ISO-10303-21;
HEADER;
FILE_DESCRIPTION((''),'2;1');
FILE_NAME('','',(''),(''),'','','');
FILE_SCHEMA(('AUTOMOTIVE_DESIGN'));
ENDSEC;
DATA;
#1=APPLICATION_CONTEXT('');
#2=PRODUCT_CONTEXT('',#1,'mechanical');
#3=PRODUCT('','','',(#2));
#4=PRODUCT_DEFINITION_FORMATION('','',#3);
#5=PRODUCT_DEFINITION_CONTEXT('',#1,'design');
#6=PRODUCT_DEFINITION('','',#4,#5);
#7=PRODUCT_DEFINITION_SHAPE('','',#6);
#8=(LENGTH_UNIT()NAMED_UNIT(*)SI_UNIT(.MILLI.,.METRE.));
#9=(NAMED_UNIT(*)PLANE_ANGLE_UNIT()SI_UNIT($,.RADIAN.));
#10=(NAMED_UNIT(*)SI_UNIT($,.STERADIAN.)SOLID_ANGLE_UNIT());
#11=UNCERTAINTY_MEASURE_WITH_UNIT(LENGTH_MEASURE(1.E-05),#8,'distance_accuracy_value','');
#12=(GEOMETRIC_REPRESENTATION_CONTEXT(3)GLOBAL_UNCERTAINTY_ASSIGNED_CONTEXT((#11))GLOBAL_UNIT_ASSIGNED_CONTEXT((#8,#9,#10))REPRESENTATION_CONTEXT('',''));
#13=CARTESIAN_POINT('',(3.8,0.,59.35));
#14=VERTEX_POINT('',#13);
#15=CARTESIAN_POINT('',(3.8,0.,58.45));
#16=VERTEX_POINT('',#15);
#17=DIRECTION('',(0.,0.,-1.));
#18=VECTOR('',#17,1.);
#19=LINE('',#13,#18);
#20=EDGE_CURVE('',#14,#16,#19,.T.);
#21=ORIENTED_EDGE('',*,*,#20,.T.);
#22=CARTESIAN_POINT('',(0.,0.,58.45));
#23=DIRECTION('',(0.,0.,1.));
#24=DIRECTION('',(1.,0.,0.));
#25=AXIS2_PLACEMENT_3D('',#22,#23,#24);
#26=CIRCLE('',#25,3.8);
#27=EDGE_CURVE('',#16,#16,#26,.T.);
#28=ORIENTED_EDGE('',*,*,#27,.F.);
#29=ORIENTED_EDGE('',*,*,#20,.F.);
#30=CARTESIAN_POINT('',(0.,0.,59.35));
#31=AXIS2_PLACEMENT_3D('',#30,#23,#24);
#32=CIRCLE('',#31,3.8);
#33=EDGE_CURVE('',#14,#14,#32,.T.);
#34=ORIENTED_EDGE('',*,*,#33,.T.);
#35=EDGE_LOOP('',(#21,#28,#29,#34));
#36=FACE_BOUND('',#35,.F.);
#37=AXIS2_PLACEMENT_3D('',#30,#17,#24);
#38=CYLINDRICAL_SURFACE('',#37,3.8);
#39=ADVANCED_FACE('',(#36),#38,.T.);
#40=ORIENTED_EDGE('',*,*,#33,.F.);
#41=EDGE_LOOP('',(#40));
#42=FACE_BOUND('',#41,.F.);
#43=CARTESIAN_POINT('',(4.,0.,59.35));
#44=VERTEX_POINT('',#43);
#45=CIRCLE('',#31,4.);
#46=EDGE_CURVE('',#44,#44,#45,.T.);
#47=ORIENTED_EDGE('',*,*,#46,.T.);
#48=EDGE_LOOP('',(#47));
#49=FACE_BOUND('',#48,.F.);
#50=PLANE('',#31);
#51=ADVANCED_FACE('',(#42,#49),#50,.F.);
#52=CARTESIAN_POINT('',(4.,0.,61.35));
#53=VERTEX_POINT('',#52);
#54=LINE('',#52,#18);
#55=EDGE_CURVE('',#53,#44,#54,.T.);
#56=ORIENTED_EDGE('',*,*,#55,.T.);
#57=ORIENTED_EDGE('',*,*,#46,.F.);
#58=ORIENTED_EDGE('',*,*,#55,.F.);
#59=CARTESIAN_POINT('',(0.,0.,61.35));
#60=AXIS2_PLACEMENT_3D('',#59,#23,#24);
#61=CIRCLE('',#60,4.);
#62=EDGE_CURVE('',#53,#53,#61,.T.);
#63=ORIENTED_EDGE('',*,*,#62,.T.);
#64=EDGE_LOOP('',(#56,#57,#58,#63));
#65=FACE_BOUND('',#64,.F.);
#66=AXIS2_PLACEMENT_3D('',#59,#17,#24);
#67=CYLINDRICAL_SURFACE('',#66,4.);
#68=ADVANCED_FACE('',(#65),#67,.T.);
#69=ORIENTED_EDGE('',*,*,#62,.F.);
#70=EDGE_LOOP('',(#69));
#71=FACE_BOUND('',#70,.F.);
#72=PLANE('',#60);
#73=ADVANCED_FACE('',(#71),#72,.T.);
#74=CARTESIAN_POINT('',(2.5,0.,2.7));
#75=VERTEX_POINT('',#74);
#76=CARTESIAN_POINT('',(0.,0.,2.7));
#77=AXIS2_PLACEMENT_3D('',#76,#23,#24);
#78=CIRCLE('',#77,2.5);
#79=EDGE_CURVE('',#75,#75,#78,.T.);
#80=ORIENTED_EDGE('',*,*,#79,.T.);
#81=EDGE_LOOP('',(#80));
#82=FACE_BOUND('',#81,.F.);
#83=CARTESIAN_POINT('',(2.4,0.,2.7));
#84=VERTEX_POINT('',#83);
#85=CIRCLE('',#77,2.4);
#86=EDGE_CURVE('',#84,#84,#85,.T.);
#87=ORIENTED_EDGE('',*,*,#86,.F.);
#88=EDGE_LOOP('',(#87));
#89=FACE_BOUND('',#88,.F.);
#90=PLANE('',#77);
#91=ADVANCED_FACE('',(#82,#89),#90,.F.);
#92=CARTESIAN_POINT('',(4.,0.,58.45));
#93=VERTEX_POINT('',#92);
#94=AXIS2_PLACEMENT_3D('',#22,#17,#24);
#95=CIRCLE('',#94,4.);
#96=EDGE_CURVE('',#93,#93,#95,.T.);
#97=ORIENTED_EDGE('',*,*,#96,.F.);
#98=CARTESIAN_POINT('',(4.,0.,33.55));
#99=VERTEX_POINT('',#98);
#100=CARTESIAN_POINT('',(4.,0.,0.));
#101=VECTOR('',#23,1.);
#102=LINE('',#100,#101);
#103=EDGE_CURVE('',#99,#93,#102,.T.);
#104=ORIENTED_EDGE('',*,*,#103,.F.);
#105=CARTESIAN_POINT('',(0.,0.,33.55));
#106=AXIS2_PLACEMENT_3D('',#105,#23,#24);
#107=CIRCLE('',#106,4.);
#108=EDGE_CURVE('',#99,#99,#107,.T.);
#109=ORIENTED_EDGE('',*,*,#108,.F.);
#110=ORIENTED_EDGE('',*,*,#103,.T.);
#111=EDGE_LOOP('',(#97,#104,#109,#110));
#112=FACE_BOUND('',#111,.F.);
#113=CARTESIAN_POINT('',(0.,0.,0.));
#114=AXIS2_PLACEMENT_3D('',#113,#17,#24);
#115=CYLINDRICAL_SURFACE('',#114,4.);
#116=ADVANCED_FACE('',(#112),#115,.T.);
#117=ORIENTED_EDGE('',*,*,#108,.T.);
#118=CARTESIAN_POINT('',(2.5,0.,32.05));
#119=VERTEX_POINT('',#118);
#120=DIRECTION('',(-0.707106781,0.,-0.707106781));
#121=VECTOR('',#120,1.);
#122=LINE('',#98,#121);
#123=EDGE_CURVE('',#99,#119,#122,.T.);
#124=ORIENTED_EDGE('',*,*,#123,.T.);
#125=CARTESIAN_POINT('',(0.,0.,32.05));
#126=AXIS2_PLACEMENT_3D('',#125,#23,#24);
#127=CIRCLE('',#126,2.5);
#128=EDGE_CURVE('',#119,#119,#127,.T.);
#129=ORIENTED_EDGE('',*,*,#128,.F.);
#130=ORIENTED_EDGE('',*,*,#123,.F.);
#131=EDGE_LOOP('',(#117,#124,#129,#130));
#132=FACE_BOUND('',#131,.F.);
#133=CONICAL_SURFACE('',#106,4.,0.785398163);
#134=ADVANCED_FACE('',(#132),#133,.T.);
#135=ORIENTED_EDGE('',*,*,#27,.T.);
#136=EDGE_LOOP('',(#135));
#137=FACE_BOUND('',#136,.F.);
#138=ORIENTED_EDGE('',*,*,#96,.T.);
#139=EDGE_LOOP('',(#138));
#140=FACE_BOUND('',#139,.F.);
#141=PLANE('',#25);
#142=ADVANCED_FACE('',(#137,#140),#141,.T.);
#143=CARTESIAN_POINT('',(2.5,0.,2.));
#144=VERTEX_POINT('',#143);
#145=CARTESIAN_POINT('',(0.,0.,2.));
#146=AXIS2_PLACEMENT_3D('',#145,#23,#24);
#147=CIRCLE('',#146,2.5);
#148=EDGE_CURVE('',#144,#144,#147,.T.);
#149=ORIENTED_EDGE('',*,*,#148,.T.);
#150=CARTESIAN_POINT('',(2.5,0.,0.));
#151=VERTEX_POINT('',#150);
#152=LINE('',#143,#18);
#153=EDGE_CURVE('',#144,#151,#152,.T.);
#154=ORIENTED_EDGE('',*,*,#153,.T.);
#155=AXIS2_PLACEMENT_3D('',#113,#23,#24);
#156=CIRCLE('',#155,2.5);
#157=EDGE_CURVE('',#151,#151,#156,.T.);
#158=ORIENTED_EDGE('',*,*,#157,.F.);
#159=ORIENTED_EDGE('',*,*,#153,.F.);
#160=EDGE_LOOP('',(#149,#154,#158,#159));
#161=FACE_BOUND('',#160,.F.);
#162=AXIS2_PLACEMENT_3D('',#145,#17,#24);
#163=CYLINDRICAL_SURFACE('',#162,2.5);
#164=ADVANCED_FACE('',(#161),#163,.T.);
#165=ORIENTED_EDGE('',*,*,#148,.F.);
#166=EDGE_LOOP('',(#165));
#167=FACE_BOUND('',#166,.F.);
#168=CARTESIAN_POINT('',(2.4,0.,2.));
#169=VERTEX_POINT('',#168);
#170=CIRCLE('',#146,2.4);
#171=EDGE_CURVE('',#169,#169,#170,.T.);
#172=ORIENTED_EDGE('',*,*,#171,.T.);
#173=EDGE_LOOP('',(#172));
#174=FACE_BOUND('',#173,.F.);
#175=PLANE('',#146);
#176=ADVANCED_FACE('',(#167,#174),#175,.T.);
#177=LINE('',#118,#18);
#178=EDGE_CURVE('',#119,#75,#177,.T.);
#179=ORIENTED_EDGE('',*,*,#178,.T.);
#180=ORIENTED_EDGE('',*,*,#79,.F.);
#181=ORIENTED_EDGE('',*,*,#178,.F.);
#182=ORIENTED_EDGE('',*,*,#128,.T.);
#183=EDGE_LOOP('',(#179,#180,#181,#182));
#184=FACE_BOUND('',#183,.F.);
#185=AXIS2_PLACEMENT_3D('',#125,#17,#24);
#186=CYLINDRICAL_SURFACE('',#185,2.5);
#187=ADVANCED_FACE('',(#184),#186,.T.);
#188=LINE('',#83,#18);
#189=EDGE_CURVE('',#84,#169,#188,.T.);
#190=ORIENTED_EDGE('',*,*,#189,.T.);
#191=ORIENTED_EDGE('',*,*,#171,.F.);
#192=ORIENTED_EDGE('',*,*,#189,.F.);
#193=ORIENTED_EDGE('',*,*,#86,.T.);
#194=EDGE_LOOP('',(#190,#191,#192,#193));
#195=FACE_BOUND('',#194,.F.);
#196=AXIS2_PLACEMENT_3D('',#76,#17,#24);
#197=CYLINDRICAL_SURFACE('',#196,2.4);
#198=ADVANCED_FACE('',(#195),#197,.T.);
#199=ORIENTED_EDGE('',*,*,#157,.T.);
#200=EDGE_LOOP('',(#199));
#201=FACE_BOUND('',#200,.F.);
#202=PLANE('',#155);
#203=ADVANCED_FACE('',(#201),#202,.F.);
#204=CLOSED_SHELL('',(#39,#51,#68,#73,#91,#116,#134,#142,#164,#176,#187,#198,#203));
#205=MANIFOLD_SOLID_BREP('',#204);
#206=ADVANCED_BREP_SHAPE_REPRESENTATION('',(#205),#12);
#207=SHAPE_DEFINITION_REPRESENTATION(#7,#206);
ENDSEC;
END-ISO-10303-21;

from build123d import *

# Parameters (mm, degrees)
F0_R     = 4
F1_DEPTH = 200


with BuildPart() as f1:
    # F0 (on Top) → F1 (new body)
    with BuildSketch(Plane.XY):
        Circle(F0_R)
    extrude(amount=F1_DEPTH)

    # F2 (on Front) → F3 (revolve, cut)
    with BuildSketch(Plane.XZ):
        Polygon((2.5, 2), (2.5, 0), (4, 0), (4, 33.55), (2.5, 32.05), (2.5, 2.7), (2.4, 2.7), (2.4, 2), align=None)
    revolve(axis=Axis((0, 0, 16.025), (0, 0, 1)), mode=Mode.SUBTRACT)

    # F4 (on Front) → F5 (revolve, cut)
    with BuildSketch(Plane.XZ):
        Polygon((0, 200), (0, 61.35), (4, 61.35), (4, 59.35), (3.8, 59.35), (3.8, 58.45), (4, 58.45), (6.54, 58.45), (6.54, 63.53), (4, 63.53), (4, 200), align=None)
    revolve(axis=Axis((0, 0, 130.675), (0, 0, 1)), mode=Mode.SUBTRACT)


solid = f1.part
